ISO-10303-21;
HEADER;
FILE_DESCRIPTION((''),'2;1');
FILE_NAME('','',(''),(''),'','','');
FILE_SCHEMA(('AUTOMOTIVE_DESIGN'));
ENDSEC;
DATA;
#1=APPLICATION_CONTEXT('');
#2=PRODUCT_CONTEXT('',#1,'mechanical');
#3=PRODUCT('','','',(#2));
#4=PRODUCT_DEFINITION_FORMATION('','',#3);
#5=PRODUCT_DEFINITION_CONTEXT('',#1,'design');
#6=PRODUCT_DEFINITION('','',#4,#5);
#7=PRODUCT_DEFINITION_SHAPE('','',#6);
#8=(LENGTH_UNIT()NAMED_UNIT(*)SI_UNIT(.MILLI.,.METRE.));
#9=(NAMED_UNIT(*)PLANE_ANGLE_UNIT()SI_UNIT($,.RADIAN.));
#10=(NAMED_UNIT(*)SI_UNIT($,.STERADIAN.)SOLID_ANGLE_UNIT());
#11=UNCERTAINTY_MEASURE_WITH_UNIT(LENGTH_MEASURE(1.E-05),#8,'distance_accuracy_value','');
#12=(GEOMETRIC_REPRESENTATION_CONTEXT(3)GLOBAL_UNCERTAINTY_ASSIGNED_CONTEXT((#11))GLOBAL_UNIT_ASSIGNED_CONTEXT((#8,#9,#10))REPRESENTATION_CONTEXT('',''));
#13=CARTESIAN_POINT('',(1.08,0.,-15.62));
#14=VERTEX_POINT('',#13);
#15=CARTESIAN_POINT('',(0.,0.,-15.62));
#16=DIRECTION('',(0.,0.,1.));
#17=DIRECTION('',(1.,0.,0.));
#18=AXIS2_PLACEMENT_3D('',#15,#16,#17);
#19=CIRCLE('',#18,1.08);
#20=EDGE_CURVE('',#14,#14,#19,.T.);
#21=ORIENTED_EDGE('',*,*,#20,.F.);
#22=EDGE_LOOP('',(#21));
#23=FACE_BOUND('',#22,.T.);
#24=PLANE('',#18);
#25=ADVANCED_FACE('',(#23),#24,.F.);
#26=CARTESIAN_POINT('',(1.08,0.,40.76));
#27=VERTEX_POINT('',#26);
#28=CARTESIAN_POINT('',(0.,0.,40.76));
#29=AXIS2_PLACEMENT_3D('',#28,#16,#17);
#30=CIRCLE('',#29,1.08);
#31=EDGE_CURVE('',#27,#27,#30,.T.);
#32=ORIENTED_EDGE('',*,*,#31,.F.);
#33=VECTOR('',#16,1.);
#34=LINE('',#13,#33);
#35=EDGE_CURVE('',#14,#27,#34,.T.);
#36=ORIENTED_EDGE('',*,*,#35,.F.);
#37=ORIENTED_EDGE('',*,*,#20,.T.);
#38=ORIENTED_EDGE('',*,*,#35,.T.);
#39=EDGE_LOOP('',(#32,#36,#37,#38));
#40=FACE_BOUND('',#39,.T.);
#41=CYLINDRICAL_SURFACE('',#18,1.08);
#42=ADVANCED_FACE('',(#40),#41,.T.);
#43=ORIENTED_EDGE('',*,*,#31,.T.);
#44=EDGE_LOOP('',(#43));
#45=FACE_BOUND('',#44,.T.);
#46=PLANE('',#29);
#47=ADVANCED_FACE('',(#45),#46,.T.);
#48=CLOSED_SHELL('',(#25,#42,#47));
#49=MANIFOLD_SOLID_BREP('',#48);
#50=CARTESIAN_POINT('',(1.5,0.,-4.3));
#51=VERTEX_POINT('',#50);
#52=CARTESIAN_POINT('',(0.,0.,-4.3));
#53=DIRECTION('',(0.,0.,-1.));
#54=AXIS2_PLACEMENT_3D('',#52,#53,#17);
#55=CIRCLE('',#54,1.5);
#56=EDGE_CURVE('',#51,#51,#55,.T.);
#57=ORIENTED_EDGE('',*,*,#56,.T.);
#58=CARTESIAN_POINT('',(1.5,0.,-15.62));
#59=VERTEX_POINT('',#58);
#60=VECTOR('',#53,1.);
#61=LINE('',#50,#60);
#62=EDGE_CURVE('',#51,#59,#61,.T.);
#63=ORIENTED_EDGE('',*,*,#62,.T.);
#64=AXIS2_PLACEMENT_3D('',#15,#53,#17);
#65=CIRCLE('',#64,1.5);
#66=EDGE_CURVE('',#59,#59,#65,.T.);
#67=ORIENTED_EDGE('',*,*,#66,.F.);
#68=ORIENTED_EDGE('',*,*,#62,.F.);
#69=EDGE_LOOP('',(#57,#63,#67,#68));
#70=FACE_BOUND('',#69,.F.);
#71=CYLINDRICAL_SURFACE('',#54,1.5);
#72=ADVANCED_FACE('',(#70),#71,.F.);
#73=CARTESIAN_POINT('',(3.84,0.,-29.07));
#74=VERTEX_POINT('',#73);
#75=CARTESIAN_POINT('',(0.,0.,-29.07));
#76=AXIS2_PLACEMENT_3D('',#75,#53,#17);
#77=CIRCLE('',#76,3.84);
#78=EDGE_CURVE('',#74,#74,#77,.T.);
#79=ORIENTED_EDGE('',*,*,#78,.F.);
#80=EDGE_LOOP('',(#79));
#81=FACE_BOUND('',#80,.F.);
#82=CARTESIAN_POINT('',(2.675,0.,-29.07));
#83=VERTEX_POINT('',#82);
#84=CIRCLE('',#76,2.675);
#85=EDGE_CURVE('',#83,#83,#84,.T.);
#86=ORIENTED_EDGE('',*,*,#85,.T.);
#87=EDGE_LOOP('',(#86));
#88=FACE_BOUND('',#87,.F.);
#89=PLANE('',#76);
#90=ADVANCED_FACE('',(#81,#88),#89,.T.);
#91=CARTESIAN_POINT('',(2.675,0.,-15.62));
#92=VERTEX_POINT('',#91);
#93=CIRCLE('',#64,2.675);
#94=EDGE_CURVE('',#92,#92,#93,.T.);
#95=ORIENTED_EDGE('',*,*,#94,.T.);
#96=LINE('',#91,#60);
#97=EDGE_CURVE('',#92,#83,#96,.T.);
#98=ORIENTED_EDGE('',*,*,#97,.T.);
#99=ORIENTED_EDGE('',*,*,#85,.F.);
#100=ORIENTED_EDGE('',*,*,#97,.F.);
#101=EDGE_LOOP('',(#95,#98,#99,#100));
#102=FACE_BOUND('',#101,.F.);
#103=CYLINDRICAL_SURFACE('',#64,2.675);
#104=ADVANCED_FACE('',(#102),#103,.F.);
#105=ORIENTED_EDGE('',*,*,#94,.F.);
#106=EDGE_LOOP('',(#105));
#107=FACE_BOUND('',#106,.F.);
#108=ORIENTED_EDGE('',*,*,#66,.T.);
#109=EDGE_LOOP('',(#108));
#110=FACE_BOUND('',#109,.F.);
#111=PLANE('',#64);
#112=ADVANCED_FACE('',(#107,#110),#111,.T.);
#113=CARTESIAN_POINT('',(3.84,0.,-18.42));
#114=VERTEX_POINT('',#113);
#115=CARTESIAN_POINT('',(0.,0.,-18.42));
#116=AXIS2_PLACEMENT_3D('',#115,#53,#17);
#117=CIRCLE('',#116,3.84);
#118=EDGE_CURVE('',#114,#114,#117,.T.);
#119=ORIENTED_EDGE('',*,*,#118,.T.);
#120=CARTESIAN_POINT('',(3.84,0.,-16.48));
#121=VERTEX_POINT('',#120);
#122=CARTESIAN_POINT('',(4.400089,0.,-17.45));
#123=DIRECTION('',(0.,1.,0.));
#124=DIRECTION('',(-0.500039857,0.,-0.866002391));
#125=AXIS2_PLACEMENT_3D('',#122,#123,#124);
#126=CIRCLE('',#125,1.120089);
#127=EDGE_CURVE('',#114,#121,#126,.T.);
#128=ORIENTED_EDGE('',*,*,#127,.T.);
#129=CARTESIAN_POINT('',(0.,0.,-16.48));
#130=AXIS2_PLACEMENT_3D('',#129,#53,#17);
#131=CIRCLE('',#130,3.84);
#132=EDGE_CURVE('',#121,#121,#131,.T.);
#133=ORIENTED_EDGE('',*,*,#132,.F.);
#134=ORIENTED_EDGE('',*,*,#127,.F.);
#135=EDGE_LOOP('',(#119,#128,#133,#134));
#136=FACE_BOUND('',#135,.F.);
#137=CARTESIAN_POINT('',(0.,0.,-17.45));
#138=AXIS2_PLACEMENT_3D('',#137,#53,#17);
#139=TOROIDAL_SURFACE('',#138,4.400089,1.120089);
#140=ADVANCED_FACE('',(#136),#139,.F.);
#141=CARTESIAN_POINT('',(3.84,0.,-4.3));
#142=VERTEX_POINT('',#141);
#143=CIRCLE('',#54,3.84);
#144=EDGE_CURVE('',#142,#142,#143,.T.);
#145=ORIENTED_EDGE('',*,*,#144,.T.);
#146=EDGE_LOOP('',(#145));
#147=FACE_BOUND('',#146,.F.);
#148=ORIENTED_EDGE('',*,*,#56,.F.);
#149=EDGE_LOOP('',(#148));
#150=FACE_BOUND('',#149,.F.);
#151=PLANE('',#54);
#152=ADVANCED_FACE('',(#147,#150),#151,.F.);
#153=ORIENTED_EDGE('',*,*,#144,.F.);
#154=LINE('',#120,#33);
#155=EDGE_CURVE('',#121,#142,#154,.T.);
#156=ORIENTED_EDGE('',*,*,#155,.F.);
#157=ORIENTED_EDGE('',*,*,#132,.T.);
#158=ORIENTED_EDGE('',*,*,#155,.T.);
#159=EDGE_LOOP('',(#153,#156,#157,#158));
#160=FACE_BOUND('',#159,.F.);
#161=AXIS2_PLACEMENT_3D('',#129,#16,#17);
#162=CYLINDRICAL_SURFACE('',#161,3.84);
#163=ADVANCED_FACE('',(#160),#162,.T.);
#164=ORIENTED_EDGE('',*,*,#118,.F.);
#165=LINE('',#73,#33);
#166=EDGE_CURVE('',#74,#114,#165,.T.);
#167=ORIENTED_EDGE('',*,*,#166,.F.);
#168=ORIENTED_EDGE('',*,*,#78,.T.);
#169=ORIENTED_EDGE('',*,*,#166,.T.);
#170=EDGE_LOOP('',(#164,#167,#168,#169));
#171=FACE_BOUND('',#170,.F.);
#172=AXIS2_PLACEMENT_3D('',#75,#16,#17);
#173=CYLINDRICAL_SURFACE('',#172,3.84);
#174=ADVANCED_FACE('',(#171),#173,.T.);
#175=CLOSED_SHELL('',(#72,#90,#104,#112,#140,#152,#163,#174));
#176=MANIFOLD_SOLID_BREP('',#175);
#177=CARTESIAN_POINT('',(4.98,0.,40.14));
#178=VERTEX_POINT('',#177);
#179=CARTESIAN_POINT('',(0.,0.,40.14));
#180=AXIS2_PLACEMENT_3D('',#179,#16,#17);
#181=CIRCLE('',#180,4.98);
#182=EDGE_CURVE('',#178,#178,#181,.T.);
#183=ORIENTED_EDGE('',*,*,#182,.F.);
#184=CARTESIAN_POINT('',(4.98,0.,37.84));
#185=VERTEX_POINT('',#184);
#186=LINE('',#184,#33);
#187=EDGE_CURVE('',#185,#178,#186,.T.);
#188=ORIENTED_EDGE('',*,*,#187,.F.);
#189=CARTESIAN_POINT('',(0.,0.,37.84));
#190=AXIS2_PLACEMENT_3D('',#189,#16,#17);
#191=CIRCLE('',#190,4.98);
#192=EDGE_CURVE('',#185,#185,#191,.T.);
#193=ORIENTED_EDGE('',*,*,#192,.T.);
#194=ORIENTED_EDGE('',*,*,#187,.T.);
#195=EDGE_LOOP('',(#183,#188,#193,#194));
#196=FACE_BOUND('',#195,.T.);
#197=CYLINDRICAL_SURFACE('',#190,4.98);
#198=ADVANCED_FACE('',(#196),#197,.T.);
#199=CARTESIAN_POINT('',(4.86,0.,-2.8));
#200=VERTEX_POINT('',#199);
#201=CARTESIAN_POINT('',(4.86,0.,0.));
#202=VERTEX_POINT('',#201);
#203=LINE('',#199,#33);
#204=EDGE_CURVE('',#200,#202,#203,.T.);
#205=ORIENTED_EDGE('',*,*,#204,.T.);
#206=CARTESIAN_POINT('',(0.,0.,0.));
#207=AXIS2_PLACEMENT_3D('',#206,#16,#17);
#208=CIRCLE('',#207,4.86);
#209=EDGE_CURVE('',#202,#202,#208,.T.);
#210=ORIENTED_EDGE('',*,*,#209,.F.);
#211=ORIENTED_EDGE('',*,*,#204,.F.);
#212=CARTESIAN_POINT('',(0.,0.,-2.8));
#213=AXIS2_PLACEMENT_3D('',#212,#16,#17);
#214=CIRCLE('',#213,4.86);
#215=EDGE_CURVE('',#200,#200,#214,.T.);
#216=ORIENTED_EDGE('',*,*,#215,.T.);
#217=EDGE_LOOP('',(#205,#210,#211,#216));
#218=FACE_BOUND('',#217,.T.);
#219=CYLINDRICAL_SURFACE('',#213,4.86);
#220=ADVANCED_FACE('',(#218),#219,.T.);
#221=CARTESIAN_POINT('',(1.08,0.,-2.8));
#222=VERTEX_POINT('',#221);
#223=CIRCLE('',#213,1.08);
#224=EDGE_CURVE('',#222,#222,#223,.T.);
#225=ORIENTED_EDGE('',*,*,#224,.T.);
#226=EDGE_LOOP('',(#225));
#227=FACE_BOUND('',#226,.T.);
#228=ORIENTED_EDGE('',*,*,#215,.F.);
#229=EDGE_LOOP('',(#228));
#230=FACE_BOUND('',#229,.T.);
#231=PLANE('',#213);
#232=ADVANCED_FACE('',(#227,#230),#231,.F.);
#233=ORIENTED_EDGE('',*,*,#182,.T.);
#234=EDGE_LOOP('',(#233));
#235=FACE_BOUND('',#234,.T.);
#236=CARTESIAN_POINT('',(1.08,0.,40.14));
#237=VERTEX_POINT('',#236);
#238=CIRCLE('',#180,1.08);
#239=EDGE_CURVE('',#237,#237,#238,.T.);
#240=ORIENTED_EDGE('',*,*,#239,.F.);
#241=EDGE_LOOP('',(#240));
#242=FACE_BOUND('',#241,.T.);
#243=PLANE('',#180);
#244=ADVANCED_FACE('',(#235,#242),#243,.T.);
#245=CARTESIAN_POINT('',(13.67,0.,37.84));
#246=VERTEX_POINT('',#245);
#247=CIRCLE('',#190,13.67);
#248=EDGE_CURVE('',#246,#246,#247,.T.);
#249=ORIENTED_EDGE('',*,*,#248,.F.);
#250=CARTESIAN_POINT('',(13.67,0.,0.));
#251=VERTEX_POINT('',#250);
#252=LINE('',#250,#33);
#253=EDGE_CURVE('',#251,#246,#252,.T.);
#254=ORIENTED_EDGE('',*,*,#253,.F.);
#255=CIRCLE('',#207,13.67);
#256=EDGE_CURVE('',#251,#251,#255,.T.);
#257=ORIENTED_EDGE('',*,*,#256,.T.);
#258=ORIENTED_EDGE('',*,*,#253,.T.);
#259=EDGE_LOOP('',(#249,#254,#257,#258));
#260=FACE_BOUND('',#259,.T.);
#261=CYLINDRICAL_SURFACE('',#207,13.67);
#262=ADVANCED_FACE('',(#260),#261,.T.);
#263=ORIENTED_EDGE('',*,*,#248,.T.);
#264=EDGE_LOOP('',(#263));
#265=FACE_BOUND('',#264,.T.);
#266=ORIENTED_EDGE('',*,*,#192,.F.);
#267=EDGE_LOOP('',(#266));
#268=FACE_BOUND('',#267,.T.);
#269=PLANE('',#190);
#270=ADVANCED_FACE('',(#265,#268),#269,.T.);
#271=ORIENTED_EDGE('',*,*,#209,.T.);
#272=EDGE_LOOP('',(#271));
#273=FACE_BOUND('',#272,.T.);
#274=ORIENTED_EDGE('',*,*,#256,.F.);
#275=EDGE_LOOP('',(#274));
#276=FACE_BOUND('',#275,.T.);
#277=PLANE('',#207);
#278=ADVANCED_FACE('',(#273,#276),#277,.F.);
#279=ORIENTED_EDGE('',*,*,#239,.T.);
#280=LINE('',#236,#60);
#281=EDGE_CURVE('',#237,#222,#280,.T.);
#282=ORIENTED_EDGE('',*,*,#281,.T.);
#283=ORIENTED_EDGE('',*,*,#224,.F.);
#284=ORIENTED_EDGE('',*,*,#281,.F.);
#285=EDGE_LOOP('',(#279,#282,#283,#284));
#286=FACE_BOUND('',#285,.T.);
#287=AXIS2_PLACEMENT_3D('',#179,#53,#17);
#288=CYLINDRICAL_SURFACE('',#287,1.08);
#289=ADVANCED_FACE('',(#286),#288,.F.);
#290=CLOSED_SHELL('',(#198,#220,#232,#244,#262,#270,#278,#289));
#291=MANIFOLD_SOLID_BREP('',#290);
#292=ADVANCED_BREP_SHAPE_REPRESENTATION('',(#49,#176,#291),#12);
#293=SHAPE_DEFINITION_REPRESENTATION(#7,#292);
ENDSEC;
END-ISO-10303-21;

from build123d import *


with BuildPart() as f1:
    # F0 (on Front) → F1 (revolve)
    with BuildSketch(Plane.XZ):
        Polygon((0, 40.76), (0, 0), (0, -15.62), (1.08, -15.62), (1.08, -2.8), (1.08, 40.14), (1.08, 40.76), align=None)
    revolve(axis=Axis((0, 0, 20.38), (0, 0, 1)))


with BuildPart() as f2:
    # F0 (on Front) → F2 (revolve)
    with BuildSketch(Plane.XZ):
        Polygon((4.98, 40.14), (1.08, 40.14), (1.08, -2.8), (4.86, -2.8), (4.86, 0), (13.67, 0), (13.67, 37.84), (4.98, 37.84), align=None)
    revolve(axis=Axis((0, 0, 20.38), (0, 0, 1)))


with BuildPart() as f3:
    # F0 (on Front) → F3 (revolve)
    with BuildSketch(Plane.XZ):
        with BuildLine():
            Line((3.84, -4.3), (1.5, -4.3))
            Line((1.5, -4.3), (1.5, -15.62))
            Line((1.5, -15.62), (2.675, -15.62))
            Line((2.675, -15.62), (2.675, -29.07))
            Line((2.675, -29.07), (3.84, -29.07))
            Line((3.84, -29.07), (3.84, -18.42))
            ThreePointArc((3.84, -18.42), (3.28, -17.45), (3.84, -16.48))
            Line((3.84, -16.48), (3.84, -4.3))
        make_face()
    revolve(axis=Axis((0, 0, -7.81), (0, 0, -1)))


solid = Compound([f1.part, f2.part, f3.part])
